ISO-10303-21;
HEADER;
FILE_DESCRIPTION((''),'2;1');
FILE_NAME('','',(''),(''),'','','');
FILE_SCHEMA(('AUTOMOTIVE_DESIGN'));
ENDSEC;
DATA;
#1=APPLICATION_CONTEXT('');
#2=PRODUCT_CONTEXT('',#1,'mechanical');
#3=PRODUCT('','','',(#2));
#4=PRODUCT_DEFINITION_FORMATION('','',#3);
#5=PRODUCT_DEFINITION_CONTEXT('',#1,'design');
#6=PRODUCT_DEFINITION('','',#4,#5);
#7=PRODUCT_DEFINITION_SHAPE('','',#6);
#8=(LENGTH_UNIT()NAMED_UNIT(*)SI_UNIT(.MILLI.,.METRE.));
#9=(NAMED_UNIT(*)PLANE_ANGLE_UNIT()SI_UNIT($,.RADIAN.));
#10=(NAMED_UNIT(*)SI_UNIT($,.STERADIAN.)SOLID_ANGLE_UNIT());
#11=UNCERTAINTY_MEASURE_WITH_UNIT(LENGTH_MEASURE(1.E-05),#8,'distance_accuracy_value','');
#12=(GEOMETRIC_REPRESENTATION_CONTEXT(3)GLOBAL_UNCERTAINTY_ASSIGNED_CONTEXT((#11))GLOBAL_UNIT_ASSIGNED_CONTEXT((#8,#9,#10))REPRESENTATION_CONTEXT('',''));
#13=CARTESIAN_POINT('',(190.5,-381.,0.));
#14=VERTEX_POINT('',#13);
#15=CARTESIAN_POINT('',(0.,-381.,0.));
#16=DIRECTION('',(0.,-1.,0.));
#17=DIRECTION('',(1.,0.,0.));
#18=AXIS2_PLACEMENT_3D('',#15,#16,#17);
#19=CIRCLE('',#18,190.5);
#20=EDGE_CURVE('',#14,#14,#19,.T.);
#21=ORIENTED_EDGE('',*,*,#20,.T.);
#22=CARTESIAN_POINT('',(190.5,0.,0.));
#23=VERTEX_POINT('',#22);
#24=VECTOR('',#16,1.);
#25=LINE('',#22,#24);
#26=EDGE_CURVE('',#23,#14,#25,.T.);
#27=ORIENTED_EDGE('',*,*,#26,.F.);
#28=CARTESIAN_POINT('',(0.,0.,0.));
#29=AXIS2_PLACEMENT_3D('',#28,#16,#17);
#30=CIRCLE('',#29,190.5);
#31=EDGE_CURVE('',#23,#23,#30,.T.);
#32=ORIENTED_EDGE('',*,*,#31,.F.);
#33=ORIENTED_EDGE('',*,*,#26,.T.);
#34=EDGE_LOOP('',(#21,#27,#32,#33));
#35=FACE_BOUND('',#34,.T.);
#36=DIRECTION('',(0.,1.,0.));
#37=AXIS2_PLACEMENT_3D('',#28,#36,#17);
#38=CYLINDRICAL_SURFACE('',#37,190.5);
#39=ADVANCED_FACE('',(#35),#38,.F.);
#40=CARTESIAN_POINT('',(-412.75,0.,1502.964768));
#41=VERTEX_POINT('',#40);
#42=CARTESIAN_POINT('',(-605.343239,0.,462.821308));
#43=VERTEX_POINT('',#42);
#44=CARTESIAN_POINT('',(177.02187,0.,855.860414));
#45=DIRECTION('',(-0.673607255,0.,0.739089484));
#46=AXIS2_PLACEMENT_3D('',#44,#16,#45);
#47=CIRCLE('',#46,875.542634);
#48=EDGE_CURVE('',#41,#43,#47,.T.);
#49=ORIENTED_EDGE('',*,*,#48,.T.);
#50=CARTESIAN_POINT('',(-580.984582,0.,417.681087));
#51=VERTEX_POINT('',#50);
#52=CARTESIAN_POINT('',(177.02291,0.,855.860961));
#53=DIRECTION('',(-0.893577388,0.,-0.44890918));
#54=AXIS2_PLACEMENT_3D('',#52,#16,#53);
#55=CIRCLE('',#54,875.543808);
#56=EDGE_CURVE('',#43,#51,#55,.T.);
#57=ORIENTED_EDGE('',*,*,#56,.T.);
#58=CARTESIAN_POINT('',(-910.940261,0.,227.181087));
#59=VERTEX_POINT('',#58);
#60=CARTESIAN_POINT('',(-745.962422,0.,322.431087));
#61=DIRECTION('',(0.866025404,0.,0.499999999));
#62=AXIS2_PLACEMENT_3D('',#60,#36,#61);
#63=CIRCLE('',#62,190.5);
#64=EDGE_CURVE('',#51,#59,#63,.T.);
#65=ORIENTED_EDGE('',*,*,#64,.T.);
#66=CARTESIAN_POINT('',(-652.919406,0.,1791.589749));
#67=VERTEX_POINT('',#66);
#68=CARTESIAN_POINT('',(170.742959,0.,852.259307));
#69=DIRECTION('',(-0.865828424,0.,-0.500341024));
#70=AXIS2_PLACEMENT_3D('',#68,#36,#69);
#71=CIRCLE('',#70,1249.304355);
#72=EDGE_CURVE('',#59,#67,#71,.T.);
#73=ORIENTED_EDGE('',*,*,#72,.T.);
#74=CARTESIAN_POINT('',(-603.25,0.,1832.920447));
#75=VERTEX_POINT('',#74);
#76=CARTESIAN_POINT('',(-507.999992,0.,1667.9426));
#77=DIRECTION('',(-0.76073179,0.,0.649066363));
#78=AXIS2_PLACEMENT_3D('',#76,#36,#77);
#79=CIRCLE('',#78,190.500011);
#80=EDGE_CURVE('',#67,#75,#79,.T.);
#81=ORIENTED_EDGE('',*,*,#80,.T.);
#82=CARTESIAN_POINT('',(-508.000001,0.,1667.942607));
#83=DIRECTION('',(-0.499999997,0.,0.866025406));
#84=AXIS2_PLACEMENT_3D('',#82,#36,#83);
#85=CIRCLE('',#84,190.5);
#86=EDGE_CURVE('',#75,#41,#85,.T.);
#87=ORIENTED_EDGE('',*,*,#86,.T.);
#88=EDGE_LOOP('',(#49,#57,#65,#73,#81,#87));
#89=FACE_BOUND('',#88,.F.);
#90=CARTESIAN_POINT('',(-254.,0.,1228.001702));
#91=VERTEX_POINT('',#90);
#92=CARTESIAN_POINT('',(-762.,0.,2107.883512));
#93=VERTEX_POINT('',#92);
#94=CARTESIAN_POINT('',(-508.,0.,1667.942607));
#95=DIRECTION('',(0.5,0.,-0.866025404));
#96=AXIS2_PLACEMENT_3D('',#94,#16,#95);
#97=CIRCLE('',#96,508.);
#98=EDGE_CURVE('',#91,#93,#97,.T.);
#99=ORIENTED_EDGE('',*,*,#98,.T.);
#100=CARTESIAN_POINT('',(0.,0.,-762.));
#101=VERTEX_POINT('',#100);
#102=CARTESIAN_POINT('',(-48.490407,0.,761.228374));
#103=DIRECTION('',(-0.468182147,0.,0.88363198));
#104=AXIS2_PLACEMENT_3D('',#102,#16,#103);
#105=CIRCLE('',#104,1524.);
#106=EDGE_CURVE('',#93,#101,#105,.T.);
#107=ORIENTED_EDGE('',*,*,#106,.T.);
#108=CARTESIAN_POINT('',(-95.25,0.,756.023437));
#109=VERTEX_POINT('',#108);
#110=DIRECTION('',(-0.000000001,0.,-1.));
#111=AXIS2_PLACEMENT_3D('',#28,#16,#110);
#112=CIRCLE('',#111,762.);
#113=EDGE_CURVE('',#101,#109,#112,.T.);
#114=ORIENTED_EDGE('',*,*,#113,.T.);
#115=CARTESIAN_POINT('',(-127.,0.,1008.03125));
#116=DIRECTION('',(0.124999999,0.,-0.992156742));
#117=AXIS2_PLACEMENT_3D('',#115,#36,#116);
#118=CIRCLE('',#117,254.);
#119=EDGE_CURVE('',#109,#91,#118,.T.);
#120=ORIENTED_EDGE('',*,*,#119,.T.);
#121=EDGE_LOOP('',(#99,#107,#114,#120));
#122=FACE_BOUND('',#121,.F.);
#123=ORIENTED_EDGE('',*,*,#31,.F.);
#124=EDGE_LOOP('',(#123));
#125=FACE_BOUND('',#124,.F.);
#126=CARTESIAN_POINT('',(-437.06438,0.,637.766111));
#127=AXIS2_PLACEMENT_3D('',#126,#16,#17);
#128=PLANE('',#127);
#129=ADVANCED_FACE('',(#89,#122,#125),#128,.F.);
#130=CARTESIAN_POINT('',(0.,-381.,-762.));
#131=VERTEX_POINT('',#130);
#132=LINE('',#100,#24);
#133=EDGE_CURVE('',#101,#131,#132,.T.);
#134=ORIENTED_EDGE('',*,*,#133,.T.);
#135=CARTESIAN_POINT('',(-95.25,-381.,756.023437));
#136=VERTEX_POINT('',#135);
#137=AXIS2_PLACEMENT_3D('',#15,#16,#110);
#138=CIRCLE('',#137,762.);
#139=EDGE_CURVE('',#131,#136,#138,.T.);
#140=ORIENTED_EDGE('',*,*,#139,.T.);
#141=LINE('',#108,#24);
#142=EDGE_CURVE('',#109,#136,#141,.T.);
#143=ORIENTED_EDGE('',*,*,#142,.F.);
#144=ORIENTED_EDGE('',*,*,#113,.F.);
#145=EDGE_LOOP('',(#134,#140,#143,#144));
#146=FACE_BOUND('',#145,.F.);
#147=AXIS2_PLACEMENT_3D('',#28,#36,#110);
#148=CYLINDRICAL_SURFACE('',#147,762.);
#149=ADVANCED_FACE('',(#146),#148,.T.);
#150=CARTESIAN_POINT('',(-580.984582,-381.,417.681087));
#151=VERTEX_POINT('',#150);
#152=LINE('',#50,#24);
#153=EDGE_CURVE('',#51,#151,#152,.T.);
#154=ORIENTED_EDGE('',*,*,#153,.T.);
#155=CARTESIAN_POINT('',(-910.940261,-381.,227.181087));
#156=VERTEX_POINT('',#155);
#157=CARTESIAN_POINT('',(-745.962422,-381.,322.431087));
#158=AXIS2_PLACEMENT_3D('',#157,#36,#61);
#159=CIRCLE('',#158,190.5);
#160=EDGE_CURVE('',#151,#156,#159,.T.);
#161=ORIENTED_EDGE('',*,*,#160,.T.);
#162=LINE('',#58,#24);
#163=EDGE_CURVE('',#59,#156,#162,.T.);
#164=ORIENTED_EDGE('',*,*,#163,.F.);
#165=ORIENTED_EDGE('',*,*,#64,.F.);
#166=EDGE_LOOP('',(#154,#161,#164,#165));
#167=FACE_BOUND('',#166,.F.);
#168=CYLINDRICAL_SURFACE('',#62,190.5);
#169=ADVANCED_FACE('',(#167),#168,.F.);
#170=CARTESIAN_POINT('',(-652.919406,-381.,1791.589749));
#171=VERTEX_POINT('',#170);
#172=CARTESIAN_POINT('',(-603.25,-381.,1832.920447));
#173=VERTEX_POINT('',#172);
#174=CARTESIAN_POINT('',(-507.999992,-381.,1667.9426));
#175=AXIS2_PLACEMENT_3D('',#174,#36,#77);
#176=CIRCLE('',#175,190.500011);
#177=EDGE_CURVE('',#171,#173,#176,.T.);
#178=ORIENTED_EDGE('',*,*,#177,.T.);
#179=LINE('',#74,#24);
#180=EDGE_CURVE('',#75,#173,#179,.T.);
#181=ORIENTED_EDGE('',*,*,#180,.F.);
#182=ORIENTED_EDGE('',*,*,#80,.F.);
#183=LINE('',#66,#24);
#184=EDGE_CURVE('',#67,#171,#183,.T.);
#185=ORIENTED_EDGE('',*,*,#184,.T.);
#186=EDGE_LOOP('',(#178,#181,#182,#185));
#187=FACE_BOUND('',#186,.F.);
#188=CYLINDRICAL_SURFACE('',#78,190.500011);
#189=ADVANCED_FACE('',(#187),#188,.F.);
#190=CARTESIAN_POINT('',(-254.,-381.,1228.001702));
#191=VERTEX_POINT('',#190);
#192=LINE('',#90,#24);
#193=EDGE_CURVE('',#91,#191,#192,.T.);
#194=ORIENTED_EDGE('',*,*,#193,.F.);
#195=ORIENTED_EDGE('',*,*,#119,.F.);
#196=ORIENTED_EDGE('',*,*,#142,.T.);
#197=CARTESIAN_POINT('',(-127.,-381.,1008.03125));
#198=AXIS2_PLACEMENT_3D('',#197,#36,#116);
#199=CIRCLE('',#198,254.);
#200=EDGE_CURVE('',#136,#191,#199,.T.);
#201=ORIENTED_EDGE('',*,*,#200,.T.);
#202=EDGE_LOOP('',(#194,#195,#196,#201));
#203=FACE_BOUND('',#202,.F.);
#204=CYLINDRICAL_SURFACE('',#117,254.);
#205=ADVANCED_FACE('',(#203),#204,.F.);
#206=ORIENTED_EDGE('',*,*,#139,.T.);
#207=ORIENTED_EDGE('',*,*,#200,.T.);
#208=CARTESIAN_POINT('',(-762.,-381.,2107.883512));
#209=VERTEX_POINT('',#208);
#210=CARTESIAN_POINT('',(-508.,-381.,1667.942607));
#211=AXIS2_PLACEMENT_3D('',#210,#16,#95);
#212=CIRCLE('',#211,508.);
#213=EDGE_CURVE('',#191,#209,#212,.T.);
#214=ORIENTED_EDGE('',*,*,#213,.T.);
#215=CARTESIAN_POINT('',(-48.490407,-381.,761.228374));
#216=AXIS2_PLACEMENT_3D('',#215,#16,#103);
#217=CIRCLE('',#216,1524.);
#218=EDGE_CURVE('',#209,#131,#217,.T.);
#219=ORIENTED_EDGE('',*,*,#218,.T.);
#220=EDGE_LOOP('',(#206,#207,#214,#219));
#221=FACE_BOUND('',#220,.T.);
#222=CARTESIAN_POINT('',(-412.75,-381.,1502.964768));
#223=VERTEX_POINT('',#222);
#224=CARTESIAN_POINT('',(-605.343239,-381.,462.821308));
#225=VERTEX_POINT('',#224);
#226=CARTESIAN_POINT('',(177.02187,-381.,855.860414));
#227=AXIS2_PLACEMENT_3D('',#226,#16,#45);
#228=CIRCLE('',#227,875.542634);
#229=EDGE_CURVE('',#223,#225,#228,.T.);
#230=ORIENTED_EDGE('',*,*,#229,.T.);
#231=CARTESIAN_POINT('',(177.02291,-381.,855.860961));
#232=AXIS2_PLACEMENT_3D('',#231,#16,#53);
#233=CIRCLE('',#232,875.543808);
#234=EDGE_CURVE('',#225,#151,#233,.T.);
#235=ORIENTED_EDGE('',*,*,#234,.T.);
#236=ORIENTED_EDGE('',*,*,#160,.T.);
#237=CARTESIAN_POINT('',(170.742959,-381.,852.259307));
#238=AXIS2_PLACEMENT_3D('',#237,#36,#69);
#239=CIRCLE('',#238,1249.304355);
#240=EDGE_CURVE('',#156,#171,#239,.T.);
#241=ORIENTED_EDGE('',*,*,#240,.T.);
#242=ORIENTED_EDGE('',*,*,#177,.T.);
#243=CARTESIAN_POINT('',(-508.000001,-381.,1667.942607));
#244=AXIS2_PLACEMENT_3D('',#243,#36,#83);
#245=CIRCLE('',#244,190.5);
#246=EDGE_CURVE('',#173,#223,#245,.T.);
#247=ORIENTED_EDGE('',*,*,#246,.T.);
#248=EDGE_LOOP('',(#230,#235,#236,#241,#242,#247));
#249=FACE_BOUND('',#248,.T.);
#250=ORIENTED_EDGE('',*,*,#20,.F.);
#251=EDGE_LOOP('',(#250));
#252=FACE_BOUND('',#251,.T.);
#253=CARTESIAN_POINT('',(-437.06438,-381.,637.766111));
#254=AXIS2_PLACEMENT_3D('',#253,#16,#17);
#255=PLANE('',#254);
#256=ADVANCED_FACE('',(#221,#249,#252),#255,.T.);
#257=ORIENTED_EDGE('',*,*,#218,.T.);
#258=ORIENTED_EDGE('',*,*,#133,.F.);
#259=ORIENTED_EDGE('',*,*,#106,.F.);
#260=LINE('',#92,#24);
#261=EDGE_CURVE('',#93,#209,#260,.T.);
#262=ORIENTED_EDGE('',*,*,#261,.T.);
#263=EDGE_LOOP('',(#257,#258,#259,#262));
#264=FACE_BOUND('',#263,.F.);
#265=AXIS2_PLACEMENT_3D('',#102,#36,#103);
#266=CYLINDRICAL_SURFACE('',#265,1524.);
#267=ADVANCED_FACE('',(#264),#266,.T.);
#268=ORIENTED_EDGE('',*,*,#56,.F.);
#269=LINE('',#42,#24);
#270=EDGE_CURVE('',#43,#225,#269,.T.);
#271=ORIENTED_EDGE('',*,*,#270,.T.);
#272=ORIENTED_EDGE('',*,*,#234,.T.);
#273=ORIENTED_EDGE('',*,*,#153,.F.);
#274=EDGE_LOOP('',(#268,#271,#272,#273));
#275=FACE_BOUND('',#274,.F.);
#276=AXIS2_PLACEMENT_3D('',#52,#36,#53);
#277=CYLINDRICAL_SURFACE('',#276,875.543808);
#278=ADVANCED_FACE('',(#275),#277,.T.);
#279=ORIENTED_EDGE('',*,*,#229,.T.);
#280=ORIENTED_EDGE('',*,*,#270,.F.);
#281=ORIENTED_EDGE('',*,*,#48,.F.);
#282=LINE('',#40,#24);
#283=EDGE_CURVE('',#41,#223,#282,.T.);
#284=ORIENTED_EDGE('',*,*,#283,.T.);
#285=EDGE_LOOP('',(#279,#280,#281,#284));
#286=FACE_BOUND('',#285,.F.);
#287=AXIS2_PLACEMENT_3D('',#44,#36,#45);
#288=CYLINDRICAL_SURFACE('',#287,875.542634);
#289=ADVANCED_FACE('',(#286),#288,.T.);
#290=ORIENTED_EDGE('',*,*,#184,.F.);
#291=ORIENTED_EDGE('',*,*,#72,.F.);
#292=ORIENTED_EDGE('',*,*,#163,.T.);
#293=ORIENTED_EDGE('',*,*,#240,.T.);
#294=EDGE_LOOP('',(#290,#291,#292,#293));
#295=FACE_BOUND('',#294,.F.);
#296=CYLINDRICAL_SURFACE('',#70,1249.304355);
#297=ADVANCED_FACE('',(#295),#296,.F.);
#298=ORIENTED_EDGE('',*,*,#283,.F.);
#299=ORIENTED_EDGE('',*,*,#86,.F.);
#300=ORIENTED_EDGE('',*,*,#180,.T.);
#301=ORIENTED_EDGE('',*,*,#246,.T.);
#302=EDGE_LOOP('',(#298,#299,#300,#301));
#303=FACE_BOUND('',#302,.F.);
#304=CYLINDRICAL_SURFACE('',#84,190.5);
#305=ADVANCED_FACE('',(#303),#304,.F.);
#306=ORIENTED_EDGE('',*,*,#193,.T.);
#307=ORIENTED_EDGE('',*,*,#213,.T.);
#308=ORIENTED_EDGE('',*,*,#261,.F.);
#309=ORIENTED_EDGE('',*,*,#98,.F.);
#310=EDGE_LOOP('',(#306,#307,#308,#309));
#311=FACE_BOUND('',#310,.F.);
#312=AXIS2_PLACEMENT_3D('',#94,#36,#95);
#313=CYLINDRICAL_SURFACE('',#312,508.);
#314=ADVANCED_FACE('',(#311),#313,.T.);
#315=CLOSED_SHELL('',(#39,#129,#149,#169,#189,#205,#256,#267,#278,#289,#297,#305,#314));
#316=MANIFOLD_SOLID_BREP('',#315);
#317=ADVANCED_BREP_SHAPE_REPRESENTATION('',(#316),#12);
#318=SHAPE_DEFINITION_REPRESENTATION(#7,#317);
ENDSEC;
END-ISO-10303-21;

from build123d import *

# Parameters (mm, degrees)
F0_R     = 190.5
F1_DEPTH = 381


with BuildPart() as f1:
    # F0 (on Front) → F1 (new body)
    with BuildSketch(Plane.XZ):
        with BuildLine():
            ThreePointArc((-762, 2107.883512), (-1521.453568, 370.133083), (0, -762))
            ThreePointArc((0, -762), (760.504392, 47.718659), (-95.25, 756.023437))
            ThreePointArc((-95.25, 756.023437), (-367.746778, 927.056014), (-254, 1228.001702))
            ThreePointArc((-254, 1228.001702), (-68.059095, 1921.942607), (-762, 2107.883512))
        make_face()
        Circle(F0_R, mode=Mode.SUBTRACT)
        with BuildLine():
            ThreePointArc((-603.25, 1832.920447), (-343.022161, 1763.192607), (-412.75, 1502.964768))
            ThreePointArc((-412.75, 1502.964768), (-683.887287, 1015.266582), (-605.343239, 462.821308))
            ThreePointArc((-605.343239, 462.821308), (-593.494545, 440.07278), (-580.984582, 417.681087))
            ThreePointArc((-580.984582, 417.681087), (-650.712421, 157.453248), (-910.940261, 227.181087))
            ThreePointArc((-910.940261, 227.181087), (-1061.908275, 1055.562788), (-652.919406, 1791.589749))
            ThreePointArc((-652.919406, 1791.589749), (-629.849877, 1814.376406), (-603.25, 1832.920447))
        make_face(mode=Mode.SUBTRACT)
    extrude(amount=F1_DEPTH)


solid = f1.part
